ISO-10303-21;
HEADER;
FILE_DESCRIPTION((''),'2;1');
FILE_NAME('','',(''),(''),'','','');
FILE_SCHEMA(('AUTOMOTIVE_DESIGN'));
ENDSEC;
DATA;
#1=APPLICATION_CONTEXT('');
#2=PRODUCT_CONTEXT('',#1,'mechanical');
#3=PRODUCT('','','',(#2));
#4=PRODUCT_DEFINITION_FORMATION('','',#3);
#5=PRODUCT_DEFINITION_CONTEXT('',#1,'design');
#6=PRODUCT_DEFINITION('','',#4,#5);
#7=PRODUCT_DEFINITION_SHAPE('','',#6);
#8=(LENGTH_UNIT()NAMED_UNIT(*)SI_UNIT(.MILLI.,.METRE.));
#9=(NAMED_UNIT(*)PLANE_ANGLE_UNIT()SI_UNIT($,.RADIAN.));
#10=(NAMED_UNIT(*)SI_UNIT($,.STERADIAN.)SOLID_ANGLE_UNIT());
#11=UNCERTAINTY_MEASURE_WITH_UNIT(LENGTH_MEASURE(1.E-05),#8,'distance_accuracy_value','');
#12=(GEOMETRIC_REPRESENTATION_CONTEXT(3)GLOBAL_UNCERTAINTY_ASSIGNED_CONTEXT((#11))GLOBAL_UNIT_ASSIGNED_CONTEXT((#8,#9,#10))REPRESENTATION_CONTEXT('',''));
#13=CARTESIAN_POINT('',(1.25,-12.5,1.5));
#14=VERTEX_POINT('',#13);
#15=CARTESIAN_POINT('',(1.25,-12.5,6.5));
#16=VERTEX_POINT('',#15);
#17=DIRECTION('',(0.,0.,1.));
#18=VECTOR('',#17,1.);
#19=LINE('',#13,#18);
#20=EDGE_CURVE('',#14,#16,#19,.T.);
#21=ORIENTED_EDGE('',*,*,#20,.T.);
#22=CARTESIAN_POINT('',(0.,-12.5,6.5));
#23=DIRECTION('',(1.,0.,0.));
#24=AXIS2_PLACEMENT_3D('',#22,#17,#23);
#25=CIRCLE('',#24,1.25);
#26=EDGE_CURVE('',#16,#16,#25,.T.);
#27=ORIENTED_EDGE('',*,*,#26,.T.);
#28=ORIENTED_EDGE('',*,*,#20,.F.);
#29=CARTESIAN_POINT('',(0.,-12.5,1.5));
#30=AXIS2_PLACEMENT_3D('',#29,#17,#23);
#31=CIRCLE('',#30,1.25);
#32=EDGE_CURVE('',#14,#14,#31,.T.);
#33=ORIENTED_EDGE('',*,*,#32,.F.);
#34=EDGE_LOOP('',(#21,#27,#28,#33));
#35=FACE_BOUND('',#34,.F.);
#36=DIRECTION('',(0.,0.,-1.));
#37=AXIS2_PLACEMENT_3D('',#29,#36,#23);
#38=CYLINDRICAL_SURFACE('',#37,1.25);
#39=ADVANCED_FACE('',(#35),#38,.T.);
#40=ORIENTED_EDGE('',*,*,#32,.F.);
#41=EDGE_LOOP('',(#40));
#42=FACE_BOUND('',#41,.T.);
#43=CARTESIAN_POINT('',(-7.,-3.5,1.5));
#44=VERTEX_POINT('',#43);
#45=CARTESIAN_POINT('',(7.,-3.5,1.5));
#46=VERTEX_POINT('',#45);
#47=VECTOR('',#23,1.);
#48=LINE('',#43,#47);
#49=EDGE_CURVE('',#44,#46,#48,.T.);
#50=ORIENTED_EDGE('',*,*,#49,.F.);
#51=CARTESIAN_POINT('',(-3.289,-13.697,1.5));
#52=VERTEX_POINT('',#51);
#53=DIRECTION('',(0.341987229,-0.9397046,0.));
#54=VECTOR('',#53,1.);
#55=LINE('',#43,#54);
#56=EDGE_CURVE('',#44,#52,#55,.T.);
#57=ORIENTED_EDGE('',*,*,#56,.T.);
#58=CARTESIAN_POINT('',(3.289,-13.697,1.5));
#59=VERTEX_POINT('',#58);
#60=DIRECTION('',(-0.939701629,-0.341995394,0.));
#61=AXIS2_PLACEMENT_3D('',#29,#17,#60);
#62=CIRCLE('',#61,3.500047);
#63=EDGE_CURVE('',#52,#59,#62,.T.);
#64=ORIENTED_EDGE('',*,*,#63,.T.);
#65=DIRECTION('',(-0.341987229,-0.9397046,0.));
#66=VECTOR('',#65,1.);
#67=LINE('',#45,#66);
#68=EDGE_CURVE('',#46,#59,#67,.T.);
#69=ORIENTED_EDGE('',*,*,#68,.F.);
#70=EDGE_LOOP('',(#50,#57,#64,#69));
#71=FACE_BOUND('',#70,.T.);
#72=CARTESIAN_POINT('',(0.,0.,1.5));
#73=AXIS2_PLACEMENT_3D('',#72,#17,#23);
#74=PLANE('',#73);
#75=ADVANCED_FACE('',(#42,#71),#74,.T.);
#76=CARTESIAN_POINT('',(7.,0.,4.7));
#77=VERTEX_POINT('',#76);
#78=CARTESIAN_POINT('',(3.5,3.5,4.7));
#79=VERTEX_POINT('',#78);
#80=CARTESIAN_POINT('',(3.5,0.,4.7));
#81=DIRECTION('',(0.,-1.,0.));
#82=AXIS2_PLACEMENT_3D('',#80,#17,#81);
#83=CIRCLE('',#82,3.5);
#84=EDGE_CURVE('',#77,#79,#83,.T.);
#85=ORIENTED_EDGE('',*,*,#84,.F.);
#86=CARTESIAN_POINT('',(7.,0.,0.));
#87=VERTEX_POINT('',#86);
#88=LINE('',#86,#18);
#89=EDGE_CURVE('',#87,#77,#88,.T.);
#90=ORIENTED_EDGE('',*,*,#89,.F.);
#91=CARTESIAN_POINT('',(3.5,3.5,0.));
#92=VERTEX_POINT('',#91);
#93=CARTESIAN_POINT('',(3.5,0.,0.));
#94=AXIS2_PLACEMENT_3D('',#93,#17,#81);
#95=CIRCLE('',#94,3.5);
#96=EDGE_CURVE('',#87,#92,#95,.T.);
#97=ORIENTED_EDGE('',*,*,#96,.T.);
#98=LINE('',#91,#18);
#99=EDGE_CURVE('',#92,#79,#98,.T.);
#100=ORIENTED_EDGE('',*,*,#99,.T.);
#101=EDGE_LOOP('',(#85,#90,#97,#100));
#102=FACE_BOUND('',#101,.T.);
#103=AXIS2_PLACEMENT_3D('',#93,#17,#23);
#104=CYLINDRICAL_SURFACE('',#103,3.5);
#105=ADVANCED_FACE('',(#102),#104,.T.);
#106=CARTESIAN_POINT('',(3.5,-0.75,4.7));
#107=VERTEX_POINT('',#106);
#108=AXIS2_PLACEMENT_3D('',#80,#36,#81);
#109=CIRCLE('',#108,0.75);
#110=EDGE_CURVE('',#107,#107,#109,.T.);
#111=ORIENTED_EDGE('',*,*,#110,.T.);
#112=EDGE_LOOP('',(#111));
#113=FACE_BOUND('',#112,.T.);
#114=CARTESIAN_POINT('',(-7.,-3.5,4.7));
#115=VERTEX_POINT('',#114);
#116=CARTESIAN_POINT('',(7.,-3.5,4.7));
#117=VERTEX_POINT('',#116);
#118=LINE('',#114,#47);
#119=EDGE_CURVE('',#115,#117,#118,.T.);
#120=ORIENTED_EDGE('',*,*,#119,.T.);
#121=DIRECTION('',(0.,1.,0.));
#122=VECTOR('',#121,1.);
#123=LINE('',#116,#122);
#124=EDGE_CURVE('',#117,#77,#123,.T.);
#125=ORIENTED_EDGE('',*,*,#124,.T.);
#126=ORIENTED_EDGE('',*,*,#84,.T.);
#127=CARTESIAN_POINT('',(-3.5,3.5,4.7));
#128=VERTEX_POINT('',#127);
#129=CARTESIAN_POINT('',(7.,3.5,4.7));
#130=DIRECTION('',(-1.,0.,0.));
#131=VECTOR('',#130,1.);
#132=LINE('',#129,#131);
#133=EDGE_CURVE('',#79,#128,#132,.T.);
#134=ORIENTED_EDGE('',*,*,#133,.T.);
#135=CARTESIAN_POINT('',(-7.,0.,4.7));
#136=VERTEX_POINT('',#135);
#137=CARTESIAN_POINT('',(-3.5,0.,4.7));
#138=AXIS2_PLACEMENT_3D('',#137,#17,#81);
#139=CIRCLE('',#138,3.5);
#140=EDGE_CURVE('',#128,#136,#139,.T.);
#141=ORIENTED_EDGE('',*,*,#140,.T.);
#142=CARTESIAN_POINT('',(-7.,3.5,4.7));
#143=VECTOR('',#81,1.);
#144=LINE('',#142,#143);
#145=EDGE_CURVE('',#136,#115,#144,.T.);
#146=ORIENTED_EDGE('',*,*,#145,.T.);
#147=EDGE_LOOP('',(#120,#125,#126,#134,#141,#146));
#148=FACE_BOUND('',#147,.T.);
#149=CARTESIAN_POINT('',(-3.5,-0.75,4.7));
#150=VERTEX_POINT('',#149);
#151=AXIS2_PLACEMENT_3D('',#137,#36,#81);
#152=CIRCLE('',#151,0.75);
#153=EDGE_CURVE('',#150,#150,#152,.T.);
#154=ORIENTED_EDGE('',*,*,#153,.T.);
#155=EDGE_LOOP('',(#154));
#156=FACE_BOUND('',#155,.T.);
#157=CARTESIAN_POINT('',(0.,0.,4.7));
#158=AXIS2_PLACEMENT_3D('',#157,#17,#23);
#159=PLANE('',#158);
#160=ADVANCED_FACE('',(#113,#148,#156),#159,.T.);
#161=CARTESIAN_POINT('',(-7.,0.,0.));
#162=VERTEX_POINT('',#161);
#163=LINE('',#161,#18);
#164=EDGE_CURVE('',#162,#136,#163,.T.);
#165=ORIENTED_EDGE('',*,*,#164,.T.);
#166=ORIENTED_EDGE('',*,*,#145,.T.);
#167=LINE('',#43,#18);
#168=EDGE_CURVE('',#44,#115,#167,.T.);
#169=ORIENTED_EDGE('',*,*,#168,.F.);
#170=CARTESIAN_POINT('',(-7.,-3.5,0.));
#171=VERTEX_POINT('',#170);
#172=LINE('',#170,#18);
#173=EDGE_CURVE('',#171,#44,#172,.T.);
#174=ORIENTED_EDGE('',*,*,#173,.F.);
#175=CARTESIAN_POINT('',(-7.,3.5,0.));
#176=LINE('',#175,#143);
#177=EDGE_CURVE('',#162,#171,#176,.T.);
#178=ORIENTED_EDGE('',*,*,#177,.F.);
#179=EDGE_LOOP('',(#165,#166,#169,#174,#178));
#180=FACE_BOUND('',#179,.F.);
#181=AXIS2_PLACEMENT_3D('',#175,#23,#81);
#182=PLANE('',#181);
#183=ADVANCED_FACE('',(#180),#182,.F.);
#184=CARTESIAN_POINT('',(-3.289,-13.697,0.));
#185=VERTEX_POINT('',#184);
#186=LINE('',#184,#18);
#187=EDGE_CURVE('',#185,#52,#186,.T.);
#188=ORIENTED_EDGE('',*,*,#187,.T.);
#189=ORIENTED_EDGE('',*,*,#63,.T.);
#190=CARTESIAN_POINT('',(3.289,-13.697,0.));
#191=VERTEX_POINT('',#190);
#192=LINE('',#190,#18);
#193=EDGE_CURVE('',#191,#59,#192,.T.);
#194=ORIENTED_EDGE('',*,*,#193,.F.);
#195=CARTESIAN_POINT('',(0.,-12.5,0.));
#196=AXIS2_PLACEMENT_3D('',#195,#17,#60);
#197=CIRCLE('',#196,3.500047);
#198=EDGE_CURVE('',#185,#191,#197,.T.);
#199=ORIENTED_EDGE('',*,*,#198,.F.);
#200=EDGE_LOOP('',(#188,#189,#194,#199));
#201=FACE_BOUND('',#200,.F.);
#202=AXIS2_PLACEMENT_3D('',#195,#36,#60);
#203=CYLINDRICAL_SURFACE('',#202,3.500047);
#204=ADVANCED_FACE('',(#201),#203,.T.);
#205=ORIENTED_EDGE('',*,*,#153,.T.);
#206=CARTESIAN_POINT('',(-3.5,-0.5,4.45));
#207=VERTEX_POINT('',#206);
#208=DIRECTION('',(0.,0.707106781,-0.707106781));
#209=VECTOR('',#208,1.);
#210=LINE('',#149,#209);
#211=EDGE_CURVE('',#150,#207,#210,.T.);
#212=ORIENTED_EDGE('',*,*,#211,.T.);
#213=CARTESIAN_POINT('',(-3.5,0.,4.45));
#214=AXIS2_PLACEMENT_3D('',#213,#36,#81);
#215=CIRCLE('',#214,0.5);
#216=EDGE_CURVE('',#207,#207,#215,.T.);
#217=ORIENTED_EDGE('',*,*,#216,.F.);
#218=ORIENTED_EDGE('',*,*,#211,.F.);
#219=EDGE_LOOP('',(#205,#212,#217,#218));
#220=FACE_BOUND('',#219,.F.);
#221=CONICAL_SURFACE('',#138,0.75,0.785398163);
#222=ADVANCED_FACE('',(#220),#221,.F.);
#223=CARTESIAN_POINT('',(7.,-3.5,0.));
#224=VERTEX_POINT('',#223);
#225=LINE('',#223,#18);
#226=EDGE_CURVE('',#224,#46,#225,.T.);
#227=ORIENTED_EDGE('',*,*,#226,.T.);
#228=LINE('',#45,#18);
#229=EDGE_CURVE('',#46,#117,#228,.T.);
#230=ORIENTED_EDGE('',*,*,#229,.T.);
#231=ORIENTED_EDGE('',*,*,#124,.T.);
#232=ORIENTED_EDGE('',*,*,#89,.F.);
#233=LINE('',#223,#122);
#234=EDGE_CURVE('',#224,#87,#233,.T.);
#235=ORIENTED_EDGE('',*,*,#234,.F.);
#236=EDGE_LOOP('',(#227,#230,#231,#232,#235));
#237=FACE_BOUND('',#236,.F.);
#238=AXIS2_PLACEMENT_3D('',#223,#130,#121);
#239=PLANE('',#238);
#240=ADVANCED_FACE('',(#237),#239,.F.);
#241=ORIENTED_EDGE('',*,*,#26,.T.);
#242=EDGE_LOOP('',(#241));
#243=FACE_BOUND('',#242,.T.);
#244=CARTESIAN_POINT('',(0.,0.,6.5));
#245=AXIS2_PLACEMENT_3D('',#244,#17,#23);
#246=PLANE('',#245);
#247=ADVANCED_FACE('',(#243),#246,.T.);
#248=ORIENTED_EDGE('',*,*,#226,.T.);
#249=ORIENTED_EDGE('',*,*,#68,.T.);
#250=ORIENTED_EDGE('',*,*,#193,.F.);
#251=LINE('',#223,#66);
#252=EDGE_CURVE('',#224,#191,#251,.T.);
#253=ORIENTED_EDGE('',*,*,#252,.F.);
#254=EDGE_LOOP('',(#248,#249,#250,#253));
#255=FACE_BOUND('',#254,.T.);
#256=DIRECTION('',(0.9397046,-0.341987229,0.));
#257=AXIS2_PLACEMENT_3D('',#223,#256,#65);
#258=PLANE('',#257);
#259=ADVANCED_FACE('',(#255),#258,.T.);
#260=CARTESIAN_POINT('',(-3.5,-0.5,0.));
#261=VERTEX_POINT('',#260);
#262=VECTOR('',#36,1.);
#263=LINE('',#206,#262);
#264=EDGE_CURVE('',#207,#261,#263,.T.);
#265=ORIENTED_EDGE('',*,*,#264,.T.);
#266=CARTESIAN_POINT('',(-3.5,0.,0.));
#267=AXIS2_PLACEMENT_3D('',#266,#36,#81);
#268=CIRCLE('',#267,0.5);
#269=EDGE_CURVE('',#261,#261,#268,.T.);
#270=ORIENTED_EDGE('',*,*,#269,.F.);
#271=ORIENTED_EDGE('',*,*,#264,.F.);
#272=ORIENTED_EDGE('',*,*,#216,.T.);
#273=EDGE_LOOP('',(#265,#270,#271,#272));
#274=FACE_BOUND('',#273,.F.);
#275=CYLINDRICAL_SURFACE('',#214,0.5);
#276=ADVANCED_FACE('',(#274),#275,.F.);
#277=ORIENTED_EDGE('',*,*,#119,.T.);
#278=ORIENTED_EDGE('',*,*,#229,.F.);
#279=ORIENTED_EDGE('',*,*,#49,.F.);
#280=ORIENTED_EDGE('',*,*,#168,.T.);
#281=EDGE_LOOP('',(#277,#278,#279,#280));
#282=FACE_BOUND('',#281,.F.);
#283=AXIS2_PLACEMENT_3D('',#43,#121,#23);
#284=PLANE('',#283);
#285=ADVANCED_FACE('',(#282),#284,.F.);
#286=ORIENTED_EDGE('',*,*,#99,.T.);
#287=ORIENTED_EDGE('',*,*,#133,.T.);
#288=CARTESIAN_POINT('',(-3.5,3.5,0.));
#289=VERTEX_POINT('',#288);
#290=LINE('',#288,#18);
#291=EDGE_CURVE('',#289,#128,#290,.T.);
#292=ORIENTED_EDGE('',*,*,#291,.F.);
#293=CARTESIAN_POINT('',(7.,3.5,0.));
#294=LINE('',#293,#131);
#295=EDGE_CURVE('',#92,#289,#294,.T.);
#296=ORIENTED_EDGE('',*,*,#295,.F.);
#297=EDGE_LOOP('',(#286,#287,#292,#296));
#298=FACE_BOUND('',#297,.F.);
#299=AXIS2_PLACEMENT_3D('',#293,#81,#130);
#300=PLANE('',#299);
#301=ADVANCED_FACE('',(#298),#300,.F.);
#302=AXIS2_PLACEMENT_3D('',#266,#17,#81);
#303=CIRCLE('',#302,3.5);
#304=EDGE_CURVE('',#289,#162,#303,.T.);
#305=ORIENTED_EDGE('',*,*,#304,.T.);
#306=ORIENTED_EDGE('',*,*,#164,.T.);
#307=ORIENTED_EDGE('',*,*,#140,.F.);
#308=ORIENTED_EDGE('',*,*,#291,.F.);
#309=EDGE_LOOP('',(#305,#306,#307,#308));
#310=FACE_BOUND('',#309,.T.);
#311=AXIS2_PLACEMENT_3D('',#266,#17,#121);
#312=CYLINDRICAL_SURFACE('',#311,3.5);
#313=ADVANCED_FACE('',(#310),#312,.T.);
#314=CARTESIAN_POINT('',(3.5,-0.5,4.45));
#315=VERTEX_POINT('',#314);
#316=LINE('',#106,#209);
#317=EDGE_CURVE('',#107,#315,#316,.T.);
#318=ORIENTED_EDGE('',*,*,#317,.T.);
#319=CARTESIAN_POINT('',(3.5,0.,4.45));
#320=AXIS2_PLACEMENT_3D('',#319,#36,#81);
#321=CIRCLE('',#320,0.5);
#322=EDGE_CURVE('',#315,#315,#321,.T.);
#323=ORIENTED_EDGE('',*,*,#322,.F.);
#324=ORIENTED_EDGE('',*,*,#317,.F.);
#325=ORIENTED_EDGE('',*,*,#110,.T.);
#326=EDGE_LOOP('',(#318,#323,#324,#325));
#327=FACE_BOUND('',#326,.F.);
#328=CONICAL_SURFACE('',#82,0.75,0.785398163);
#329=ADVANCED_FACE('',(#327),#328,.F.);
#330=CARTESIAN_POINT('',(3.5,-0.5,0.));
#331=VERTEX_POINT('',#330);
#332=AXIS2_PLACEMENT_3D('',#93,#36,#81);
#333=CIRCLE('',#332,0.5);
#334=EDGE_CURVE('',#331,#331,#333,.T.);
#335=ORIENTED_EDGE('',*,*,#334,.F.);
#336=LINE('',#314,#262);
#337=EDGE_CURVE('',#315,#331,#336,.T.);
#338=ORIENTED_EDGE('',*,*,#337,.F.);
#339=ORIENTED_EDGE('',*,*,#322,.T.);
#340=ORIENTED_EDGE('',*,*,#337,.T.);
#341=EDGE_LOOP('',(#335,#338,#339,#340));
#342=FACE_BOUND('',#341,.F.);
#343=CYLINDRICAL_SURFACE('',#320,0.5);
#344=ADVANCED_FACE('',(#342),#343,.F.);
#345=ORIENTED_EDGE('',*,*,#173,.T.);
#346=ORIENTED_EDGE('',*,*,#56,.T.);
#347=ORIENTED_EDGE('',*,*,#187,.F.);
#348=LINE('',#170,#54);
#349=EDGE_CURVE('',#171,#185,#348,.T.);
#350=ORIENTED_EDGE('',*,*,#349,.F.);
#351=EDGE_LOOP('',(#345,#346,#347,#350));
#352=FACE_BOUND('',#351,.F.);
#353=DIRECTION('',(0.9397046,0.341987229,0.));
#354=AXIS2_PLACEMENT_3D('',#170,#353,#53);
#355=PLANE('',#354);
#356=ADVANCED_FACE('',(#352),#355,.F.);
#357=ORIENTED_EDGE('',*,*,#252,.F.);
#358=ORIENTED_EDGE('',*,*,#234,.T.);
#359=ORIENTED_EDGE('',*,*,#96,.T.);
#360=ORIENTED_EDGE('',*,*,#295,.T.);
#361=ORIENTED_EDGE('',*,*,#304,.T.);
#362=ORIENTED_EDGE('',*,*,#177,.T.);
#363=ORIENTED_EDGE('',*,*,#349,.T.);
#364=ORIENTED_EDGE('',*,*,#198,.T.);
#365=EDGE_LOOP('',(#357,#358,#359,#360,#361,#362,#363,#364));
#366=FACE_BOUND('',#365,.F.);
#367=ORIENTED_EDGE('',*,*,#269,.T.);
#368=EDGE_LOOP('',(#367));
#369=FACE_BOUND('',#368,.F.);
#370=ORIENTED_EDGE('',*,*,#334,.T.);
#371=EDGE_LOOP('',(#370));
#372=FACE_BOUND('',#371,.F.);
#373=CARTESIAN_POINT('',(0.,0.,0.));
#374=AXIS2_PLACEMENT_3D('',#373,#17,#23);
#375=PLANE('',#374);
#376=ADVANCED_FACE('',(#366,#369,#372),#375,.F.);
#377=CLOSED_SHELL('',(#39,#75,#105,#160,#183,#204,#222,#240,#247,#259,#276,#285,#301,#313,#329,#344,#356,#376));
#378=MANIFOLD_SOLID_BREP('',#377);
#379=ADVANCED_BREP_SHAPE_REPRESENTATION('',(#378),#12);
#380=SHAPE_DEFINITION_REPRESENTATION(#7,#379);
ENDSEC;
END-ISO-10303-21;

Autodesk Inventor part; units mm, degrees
ref_plane "YZ Plane" through (0, 0, 0) normal (1, 0, 0) x (0, 1, 0)
ref_plane "XZ Plane" through (0, 0, 0) normal (0, 1, 0) x (-1, 0, 0)
ref_plane "XY Plane" through (0, 0, 0) normal (0, 0, 1) x (1, 0, 0)
sketch "Эскиз1" plane through (0, 0, 0) normal (0, 0, 1) x (1, 0, 0)
  line L0 (-7, -3.5) -> (7, -3.5) construction
  line L1 (7, -3.5) -> (7, 3.5)
  line L2 (7, 3.5) -> (-7, 3.5)
  line L3 (-7, 3.5) -> (-7, -3.5)
  line L4 (-7, -3.5) -> (7, 3.5) construction
  line L5 (7, -3.5) -> (-7, 3.5) construction
  line L6 (0, -3.5) -> (0, -12.5) construction
  line L7 (-7, -3.5) -> (-3.289, -13.697)
  line L8 (7, -3.5) -> (3.289, -13.697)
  arc A0 (-3.289, -13.697) -> (3.289, -13.697) centre (0, -12.5) ccw
  point P0 (0, 0)
  point P1 (0, 0)
  point P2 (0, 0)
  point P3 (0, 0)
  dimension "d0" = 14
  dimension "d1" = 7
  dimension "d4" = 9
  dimension "d5" = 3.5
extrude "Выдавливание1" add sketch "Эскиз1" along normal blind 1.5
sketch "Эскиз4" plane through (0, 0, 1.5) normal (0, 0, 1) x (1, 0, 0)
  line L0 (7, 3.5) -> (-7, 3.5) projected
  line L1 (7, -3.5) -> (7, 3.5) projected
  line L2 (-7, 3.5) -> (-7, -3.5) projected
  line L3 (-7, -3.5) -> (7, -3.5)
  point P0 (0, 0)
extrude "Выдавливание6" add sketch "Эскиз4" along normal blind 3.2
sketch "Эскиз2" plane through (0, 0, 1.5) normal (0, 0, 1) x (1, 0, 0)
  arc A0 (-3.289, -13.697) -> (3.289, -13.697) centre (0, -12.5) ccw construction
  circle A1 centre (0, -12.5) radius 1.25
  point P0 (0, 0)
  dimension "d8" = 2.5
extrude "Выдавливание9" add sketch "Эскиз2" along normal blind 5
fillet "Сопряжение1" radius 3.5 2 edges at (7, 3.5, 2.35) (-7, 3.5, 2.35)
sketch "Эскиз5" plane through (0, 0, 4.7) normal (0, 0, 1) x (1, 0, 0)
  circle A0 centre (0, -9.5) radius 1.5 construction
  line L0 (7, -3.5) -> (-7, -3.5) construction
  line L1 (0, -3.5) -> (0, 3.5) construction
  line L2 (-7, 3.5) -> (7, 3.5) construction
  circle A1 centre (3.5, 0) radius 0.5
  line L3 (3.5, 3.5) -> (3.5, 0) construction
  line L4 (3.5, 0) -> (0, 0) construction
  circle A2 centre (-3.5, 0) radius 0.5
  dimension "d34" = 1
hole "Отверстие1" at (-3.5, 0, 4.7) at (3.5, 0, 4.7) direction (0, 0, -1) diameter 1 end through all countersink diameter 1.5 countersink angle 90
properties part number "переходник"
